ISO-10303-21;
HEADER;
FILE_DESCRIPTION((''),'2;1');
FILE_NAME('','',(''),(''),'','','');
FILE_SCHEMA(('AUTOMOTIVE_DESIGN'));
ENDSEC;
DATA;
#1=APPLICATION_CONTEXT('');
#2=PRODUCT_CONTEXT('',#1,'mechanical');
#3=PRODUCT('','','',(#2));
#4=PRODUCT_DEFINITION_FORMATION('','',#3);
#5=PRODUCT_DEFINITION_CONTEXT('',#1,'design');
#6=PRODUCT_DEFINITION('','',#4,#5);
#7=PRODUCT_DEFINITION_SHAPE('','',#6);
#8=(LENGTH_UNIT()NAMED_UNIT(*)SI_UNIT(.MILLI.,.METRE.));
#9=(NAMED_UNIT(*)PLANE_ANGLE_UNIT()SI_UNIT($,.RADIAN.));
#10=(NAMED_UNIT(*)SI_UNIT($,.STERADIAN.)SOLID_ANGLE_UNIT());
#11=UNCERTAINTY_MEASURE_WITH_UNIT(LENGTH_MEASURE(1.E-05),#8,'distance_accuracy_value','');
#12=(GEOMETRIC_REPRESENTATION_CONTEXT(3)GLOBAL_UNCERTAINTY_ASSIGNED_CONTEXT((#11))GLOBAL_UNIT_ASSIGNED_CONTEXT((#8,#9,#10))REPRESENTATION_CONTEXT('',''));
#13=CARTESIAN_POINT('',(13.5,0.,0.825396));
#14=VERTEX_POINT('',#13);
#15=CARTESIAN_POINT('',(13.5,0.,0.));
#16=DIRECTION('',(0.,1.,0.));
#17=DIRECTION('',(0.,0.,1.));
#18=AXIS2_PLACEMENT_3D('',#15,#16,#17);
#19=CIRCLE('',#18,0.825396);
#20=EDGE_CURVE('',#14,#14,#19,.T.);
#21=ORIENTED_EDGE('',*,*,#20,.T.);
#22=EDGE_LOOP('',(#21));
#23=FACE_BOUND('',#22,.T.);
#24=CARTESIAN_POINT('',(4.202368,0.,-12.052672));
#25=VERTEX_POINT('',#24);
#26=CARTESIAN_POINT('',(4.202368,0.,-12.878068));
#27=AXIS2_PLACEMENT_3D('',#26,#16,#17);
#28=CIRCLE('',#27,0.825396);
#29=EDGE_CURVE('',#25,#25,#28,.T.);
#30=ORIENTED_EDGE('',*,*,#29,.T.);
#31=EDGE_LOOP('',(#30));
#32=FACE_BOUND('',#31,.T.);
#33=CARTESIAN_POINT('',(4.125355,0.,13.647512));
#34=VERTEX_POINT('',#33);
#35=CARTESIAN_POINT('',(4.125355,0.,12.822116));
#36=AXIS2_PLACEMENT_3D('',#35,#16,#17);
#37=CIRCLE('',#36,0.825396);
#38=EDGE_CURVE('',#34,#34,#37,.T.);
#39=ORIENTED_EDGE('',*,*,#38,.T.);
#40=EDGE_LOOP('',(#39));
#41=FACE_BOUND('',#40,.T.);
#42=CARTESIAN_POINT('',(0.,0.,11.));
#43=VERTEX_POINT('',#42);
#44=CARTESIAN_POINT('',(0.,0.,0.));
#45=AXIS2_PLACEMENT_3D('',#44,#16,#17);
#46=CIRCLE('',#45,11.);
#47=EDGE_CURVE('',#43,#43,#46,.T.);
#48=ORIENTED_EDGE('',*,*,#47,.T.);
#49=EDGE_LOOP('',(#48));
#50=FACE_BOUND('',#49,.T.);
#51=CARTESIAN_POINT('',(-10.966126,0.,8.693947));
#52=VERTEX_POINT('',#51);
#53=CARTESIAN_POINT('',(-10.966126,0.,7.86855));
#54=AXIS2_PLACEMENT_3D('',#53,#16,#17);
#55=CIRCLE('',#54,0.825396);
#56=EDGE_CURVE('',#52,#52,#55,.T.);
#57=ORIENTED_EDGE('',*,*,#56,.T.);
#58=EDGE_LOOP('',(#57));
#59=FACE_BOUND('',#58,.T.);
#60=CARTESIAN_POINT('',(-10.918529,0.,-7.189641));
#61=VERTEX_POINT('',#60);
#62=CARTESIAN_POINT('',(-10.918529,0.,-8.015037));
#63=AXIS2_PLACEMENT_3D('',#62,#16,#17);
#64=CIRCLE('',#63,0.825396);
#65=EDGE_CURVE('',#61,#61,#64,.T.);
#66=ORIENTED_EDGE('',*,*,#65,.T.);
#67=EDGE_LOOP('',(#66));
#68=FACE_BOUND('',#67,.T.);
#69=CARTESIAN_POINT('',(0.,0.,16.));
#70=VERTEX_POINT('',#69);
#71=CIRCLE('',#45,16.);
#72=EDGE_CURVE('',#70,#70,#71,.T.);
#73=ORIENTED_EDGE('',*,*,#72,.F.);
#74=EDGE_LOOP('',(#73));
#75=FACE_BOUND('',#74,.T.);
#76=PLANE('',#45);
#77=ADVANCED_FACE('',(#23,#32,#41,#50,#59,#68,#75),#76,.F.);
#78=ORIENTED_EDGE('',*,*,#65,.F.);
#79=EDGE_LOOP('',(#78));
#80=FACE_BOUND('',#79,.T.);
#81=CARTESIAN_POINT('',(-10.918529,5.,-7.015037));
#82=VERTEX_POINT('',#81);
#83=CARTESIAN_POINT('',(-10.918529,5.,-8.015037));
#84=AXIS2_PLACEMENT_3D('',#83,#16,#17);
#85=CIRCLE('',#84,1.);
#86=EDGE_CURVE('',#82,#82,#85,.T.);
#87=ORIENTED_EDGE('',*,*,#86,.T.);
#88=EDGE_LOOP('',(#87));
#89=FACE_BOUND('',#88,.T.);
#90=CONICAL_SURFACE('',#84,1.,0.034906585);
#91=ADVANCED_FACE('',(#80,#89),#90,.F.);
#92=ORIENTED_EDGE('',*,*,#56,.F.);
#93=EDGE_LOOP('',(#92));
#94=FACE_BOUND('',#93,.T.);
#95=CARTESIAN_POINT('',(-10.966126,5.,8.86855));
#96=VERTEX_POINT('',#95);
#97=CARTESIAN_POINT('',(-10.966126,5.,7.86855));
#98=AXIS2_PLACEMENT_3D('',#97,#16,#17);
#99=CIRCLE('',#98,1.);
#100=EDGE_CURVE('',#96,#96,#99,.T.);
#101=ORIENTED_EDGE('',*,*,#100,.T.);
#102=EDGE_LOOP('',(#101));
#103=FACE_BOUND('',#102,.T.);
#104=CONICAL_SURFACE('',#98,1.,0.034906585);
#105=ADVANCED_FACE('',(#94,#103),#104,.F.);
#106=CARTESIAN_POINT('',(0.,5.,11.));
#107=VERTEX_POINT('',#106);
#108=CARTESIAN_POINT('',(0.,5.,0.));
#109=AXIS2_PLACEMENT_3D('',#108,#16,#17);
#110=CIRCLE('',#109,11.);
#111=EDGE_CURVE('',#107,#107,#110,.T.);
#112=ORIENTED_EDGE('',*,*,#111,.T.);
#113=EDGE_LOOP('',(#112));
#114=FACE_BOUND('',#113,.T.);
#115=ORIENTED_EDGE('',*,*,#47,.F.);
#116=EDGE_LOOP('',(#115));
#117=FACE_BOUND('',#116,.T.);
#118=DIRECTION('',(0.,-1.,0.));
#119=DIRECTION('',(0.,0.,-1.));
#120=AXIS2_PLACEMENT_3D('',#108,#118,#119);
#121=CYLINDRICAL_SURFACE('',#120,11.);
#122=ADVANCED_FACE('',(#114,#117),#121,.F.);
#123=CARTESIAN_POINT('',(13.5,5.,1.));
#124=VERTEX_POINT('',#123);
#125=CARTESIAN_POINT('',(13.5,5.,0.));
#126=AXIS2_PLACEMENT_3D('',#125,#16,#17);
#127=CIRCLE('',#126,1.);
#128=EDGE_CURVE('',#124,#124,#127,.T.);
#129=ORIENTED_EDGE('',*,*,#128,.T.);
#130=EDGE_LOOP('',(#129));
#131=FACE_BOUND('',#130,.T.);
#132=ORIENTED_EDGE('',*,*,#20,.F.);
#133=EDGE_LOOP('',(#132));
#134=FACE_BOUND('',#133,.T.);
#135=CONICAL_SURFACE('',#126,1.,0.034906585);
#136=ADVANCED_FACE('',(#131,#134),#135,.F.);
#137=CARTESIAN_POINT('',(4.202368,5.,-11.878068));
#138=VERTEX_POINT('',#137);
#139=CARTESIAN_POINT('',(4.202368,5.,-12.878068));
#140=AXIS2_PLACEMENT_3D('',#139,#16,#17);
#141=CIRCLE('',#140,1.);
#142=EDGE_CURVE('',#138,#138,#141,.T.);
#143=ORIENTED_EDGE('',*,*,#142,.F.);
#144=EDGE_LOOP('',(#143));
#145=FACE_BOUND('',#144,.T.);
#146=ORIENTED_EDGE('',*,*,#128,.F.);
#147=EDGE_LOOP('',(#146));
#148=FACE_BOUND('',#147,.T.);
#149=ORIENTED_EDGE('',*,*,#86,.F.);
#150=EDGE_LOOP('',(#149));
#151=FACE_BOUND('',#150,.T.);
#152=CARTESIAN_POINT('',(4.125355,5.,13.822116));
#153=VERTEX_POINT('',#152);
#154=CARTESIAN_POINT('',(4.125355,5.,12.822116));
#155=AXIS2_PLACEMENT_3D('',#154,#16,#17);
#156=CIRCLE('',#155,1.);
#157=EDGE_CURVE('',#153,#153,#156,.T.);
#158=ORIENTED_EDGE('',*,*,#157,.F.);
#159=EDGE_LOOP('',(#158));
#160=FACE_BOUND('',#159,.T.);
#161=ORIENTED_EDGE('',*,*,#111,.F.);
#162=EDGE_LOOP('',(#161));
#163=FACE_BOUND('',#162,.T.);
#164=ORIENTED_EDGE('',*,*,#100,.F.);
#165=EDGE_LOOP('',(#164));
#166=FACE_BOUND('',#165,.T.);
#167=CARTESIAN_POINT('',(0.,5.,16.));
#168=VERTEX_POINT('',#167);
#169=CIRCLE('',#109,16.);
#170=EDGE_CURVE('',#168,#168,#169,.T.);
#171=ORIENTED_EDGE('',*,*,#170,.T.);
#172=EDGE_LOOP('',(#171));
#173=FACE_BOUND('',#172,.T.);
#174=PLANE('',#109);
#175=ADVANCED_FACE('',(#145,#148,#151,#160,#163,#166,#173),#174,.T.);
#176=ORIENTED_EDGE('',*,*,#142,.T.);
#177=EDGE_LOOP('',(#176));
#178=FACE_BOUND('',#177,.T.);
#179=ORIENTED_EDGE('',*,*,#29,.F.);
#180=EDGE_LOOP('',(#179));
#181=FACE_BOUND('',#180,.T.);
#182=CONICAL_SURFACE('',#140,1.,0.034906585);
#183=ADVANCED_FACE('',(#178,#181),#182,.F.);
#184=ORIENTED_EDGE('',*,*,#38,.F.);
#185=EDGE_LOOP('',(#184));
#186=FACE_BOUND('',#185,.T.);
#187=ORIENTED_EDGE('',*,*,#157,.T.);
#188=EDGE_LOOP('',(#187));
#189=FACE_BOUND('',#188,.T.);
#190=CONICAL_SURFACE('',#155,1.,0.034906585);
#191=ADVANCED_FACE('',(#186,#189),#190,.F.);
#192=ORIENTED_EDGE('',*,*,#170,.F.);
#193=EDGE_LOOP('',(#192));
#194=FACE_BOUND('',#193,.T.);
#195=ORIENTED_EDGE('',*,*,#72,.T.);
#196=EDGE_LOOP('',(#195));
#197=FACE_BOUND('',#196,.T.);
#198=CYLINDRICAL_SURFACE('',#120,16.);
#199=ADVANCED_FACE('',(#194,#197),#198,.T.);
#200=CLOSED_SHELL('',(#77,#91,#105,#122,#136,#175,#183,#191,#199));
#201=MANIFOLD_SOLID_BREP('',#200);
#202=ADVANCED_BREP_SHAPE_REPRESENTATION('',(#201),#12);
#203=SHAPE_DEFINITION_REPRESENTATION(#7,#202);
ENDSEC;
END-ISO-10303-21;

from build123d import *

# Parameters (mm, degrees)
SKETCH1_R                    = 16
SKETCH1_R_2                  = 11
BOSS_EXTRUDE2_DEPTH          = 5
SKETCH2_R                    = 1
CUT_EXTRUDE1_DEPTH           = 5
CUT_EXTRUDE1_DRAFT           = -2
CUT_EXTRUDE1_PROFILE_2_DEPTH = 5
CUT_EXTRUDE1_PROFILE_2_DRAFT = -2
CUT_EXTRUDE1_PROFILE_3_DEPTH = 5
CUT_EXTRUDE1_PROFILE_3_DRAFT = -2
CUT_EXTRUDE1_PROFILE_4_DEPTH = 5
CUT_EXTRUDE1_PROFILE_4_DRAFT = -2
CUT_EXTRUDE1_PROFILE_5_DEPTH = 5
CUT_EXTRUDE1_PROFILE_5_DRAFT = -2


with BuildPart() as part:
    # Sketch1 → Boss-Extrude2 (new body)
    with BuildSketch(Plane(origin=(0, 0, 0), x_dir=(1, 0, 0), z_dir=(0, 1, 0))):
        with Locations(Location((0, 0, 0), (0, 0, 270))):
            Circle(SKETCH1_R)
        with Locations(Location((0, 0, 0), (0, 0, 270))):
            Circle(SKETCH1_R_2, mode=Mode.SUBTRACT)
    extrude(amount=BOSS_EXTRUDE2_DEPTH)


with BuildPart() as cut_extrude1_tool:
    # Sketch2 → Cut-Extrude1 (with draft: the straight prism first)
    with BuildSketch(Plane(origin=(0, 5, 0), x_dir=(1, 0, 0), z_dir=(0, 1, 0))):
        with Locations((-10.918529424, 8.01503688)):
            Circle(SKETCH2_R)
    extrude(amount=-CUT_EXTRUDE1_DEPTH)
    # Cut-Extrude1: the draft: its side faces are tilted about the plane it starts from
    cut_extrude1_sides = [cut_extrude1_tool.faces().sort_by_distance(p)[0] for p in [
        (-11.918529424, 2.5, -8.01503688),
    ]]
    draft(cut_extrude1_sides, Plane(origin=(0, 5, 0), x_dir=(1, 0, 0), z_dir=(0, 1, 0)), CUT_EXTRUDE1_DRAFT)


with BuildPart() as part_1:
    add(part.part)

    # Cut-Extrude1: cut by cut_extrude1_tool
    add(cut_extrude1_tool.part, mode=Mode.SUBTRACT)


with BuildPart() as cut_extrude1_profile_2_tool:
    # Sketch2 → Cut-Extrude1 profile 2 (with draft: the straight prism first)
    with BuildSketch(Plane(origin=(0, 5, 0), x_dir=(1, 0, 0), z_dir=(0, 1, 0))):
        with Locations((-10.966125757, -7.868550431)):
            Circle(SKETCH2_R)
    extrude(amount=-CUT_EXTRUDE1_PROFILE_2_DEPTH)
    # Cut-Extrude1 profile 2: the draft: its side faces are tilted about the plane it starts from
    cut_extrude1_profile_2_sides = [cut_extrude1_profile_2_tool.faces().sort_by_distance(p)[0] for p in [
        (-11.966125757, 2.5, 7.868550431),
    ]]
    draft(cut_extrude1_profile_2_sides, Plane(origin=(0, 5, 0), x_dir=(1, 0, 0), z_dir=(0, 1, 0)), CUT_EXTRUDE1_PROFILE_2_DRAFT)


with BuildPart() as part_2:
    add(part_1.part)

    # Cut-Extrude1 profile 2: cut by cut_extrude1_profile_2_tool
    add(cut_extrude1_profile_2_tool.part, mode=Mode.SUBTRACT)


with BuildPart() as cut_extrude1_profile_3_tool:
    # Sketch2 → Cut-Extrude1 profile 3 (with draft: the straight prism first)
    with BuildSketch(Plane(origin=(0, 5, 0), x_dir=(1, 0, 0), z_dir=(0, 1, 0))):
        with Locations((4.125355383, -12.822115645)):
            Circle(SKETCH2_R)
    extrude(amount=-CUT_EXTRUDE1_PROFILE_3_DEPTH)
    # Cut-Extrude1 profile 3: the draft: its side faces are tilted about the plane it starts from
    cut_extrude1_profile_3_sides = [cut_extrude1_profile_3_tool.faces().sort_by_distance(p)[0] for p in [
        (3.125355383, 2.5, 12.822115645),
    ]]
    draft(cut_extrude1_profile_3_sides, Plane(origin=(0, 5, 0), x_dir=(1, 0, 0), z_dir=(0, 1, 0)), CUT_EXTRUDE1_PROFILE_3_DRAFT)


with BuildPart() as part_3:
    add(part_2.part)

    # Cut-Extrude1 profile 3: cut by cut_extrude1_profile_3_tool
    add(cut_extrude1_profile_3_tool.part, mode=Mode.SUBTRACT)


with BuildPart() as cut_extrude1_profile_4_tool:
    # Sketch2 → Cut-Extrude1 profile 4 (with draft: the straight prism first)
    with BuildSketch(Plane(origin=(0, 5, 0), x_dir=(1, 0, 0), z_dir=(0, 1, 0))):
        with Locations((13.5, 0)):
            Circle(SKETCH2_R)
    extrude(amount=-CUT_EXTRUDE1_PROFILE_4_DEPTH)
    # Cut-Extrude1 profile 4: the draft: its side faces are tilted about the plane it starts from
    cut_extrude1_profile_4_sides = [cut_extrude1_profile_4_tool.faces().sort_by_distance(p)[0] for p in [
        (12.5, 2.5, 0),
    ]]
    draft(cut_extrude1_profile_4_sides, Plane(origin=(0, 5, 0), x_dir=(1, 0, 0), z_dir=(0, 1, 0)), CUT_EXTRUDE1_PROFILE_4_DRAFT)


with BuildPart() as part_4:
    add(part_3.part)

    # Cut-Extrude1 profile 4: cut by cut_extrude1_profile_4_tool
    add(cut_extrude1_profile_4_tool.part, mode=Mode.SUBTRACT)


with BuildPart() as cut_extrude1_profile_5_tool:
    # Sketch2 → Cut-Extrude1 profile 5 (with draft: the straight prism first)
    with BuildSketch(Plane(origin=(0, 5, 0), x_dir=(1, 0, 0), z_dir=(0, 1, 0))):
        with Locations((4.202367867, 12.878068489)):
            Circle(SKETCH2_R)
    extrude(amount=-CUT_EXTRUDE1_PROFILE_5_DEPTH)
    # Cut-Extrude1 profile 5: the draft: its side faces are tilted about the plane it starts from
    cut_extrude1_profile_5_sides = [cut_extrude1_profile_5_tool.faces().sort_by_distance(p)[0] for p in [
        (3.202367867, 2.5, -12.878068489),
    ]]
    draft(cut_extrude1_profile_5_sides, Plane(origin=(0, 5, 0), x_dir=(1, 0, 0), z_dir=(0, 1, 0)), CUT_EXTRUDE1_PROFILE_5_DRAFT)


with BuildPart() as part_5:
    add(part_4.part)

    # Cut-Extrude1 profile 5: cut by cut_extrude1_profile_5_tool
    add(cut_extrude1_profile_5_tool.part, mode=Mode.SUBTRACT)


solid = part_5.part
